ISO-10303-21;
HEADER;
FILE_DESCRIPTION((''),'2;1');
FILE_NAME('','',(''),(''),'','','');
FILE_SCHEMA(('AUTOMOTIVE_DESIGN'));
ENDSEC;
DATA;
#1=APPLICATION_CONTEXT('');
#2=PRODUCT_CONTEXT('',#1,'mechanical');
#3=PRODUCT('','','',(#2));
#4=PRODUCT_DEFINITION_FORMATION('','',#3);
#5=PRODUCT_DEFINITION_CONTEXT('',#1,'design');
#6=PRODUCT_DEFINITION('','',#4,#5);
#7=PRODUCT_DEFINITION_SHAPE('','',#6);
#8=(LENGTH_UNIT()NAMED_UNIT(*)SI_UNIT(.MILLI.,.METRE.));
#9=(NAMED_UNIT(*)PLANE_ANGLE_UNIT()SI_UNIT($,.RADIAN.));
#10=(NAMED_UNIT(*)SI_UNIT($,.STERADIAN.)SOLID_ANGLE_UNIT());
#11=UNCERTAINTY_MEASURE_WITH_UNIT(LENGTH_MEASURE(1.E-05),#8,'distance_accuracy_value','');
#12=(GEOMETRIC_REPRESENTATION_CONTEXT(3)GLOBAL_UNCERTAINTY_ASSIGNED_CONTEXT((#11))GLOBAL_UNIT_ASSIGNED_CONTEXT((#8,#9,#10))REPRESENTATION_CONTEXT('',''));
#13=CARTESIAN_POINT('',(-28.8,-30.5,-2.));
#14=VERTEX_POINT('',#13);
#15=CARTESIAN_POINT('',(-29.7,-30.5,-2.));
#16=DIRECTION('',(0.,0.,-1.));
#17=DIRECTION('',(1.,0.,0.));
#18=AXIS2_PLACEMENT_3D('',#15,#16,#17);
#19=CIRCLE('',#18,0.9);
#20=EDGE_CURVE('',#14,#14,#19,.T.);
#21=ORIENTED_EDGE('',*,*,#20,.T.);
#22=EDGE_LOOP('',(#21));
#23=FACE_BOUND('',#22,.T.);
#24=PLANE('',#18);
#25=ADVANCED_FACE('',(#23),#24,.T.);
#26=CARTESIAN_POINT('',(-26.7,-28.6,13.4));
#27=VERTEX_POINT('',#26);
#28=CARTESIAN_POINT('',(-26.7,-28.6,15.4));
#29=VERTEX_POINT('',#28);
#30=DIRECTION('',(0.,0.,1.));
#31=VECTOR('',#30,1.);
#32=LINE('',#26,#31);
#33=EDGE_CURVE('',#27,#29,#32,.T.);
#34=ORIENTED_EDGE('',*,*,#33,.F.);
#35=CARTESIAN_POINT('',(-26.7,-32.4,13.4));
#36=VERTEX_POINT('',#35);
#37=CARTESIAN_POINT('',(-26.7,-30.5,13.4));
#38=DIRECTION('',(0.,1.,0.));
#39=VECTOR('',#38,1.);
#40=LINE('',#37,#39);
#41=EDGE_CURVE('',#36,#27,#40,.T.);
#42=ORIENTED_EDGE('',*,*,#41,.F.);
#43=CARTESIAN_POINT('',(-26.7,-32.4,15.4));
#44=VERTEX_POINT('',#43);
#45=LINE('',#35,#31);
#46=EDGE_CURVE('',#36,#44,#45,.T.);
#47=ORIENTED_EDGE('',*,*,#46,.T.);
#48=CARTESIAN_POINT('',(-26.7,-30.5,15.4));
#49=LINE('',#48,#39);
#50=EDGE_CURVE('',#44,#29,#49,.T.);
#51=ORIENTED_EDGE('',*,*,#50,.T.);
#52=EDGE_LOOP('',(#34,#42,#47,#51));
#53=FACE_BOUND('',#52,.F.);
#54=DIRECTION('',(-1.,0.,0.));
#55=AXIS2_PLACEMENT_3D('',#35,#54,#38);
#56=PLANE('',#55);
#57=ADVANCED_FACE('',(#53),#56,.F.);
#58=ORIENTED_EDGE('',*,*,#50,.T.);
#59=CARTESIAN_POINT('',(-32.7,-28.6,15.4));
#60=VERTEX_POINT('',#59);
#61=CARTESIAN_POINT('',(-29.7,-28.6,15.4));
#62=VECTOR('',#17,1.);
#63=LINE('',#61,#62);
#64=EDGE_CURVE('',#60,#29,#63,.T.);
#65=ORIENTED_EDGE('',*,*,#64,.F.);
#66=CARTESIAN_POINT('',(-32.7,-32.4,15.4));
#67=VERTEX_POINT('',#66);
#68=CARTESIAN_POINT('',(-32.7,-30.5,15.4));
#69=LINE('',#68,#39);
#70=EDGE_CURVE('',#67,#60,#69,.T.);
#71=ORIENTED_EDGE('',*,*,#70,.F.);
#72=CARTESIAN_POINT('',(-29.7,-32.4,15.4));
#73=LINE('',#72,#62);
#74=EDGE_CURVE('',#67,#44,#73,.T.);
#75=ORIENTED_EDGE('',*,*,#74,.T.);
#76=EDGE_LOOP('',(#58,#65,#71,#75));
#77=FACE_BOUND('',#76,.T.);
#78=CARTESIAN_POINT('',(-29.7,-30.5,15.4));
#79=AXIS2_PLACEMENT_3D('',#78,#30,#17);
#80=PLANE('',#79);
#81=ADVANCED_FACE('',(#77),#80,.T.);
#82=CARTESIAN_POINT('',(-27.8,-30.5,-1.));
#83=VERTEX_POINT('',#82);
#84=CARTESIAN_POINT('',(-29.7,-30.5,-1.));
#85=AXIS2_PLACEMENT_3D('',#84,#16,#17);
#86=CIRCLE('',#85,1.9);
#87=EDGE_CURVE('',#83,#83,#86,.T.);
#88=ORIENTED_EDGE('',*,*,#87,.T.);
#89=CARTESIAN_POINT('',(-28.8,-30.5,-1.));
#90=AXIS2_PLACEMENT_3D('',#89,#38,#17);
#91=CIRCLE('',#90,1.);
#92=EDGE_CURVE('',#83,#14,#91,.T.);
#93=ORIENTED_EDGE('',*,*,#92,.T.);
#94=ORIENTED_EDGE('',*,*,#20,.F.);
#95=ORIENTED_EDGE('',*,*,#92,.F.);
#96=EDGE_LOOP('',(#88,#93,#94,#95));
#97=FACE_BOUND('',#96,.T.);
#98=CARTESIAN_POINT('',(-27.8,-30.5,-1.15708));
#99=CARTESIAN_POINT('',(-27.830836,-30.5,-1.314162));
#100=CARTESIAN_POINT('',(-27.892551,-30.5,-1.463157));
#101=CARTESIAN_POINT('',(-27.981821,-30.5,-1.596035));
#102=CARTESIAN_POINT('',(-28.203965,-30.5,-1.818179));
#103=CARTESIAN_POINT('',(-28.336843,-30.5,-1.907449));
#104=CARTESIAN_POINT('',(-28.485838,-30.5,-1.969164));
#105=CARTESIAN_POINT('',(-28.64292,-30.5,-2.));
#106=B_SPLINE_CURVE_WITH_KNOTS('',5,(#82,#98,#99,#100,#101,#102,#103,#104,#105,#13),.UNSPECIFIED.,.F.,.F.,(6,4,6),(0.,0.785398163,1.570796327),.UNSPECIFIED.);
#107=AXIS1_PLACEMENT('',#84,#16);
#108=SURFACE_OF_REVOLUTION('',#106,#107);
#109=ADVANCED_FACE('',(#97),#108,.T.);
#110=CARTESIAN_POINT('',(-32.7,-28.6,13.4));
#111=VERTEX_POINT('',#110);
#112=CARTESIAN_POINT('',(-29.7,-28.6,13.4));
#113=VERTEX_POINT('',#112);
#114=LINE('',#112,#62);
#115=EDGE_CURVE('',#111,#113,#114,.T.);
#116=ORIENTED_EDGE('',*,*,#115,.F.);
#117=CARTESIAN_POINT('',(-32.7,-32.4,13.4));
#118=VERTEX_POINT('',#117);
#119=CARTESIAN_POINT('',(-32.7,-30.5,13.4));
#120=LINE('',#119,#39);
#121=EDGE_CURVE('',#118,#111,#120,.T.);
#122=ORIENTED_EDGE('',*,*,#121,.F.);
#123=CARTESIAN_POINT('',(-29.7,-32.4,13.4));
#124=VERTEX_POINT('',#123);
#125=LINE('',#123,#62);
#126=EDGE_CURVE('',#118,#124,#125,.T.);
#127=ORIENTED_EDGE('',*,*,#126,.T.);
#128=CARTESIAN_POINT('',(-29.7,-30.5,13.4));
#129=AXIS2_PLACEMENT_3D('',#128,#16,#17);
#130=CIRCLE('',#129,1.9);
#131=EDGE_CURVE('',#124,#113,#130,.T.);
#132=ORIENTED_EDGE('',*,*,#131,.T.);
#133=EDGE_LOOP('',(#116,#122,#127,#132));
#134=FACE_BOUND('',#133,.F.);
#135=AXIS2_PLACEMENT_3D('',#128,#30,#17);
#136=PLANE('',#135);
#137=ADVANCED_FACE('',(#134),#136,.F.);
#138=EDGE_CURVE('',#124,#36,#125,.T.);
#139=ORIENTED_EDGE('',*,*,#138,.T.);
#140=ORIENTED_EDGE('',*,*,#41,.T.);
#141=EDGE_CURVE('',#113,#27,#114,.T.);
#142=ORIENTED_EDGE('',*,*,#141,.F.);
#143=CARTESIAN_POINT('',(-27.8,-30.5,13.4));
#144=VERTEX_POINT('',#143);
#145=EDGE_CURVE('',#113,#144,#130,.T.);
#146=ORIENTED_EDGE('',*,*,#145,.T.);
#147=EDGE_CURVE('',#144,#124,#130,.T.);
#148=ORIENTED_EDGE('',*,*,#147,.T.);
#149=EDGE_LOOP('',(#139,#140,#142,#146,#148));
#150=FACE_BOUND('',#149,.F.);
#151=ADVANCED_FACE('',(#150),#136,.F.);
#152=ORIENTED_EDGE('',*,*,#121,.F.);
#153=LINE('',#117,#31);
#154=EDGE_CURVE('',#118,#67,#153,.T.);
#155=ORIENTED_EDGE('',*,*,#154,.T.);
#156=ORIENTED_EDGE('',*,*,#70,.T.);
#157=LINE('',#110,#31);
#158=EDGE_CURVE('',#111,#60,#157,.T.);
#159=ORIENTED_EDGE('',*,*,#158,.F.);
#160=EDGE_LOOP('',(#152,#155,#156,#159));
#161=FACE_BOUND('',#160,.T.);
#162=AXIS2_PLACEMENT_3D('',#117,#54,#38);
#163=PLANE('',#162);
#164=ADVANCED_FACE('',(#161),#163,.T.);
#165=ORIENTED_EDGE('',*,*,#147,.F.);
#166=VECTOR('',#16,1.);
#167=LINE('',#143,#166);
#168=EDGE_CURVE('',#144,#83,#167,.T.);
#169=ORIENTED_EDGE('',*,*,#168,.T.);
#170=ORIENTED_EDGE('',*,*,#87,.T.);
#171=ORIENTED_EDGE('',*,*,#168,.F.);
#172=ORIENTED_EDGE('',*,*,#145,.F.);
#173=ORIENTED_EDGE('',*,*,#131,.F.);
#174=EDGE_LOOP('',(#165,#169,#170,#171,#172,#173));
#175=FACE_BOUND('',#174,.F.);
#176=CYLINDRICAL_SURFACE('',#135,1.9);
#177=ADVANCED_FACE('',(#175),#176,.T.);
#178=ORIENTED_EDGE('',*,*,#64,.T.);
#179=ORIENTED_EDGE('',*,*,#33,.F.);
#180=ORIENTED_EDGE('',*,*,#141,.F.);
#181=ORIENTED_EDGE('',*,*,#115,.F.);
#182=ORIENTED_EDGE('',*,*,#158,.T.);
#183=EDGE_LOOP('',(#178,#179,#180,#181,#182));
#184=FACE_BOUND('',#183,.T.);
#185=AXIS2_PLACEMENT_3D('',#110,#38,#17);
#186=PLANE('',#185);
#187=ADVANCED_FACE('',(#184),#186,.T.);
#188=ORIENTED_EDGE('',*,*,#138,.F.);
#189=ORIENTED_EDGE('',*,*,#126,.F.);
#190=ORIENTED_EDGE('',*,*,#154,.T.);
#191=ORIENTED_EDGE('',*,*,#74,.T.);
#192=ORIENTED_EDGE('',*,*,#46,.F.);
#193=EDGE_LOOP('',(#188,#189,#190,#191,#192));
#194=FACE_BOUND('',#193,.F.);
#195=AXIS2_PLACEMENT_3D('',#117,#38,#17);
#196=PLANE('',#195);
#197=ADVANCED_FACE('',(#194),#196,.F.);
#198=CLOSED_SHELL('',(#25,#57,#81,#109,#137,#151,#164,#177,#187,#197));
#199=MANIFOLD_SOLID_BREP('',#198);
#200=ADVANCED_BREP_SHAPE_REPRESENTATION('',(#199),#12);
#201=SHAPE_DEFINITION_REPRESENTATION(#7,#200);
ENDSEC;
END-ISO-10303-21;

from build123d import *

# Parameters (mm, degrees)
SKETCH027_W  = 6
SKETCH027_H  = 3.8
PAD010_DEPTH = 2
SKETCH031_R  = 1.9
PAD014_DEPTH = 15.4
FILLET010_R  = 1


with BuildPart() as part:
    # Sketch027 → Pad010 (new body)
    with BuildSketch(Plane.XY.offset(13.4)):
        with Locations((-29.7, -30.5)):
            Rectangle(SKETCH027_W, SKETCH027_H)
    extrude(amount=PAD010_DEPTH)

    # Sketch031 (on Face5 of Pad010) → Pad014 (join)
    with BuildSketch(Plane(origin=(0, 0, 13.4), x_dir=(1, 0, 0), z_dir=(0, 0, -1))):
        with Locations((-29.7, 30.5)):
            Circle(SKETCH031_R)
    extrude(amount=PAD014_DEPTH)

    # Fillet010
    fillet010_edges = [part.edges().sort_by_distance(p)[0] for p in [
        (-31.6, -30.5, -2),
    ]]
    fillet(fillet010_edges, radius=FILLET010_R)


solid = part.part
